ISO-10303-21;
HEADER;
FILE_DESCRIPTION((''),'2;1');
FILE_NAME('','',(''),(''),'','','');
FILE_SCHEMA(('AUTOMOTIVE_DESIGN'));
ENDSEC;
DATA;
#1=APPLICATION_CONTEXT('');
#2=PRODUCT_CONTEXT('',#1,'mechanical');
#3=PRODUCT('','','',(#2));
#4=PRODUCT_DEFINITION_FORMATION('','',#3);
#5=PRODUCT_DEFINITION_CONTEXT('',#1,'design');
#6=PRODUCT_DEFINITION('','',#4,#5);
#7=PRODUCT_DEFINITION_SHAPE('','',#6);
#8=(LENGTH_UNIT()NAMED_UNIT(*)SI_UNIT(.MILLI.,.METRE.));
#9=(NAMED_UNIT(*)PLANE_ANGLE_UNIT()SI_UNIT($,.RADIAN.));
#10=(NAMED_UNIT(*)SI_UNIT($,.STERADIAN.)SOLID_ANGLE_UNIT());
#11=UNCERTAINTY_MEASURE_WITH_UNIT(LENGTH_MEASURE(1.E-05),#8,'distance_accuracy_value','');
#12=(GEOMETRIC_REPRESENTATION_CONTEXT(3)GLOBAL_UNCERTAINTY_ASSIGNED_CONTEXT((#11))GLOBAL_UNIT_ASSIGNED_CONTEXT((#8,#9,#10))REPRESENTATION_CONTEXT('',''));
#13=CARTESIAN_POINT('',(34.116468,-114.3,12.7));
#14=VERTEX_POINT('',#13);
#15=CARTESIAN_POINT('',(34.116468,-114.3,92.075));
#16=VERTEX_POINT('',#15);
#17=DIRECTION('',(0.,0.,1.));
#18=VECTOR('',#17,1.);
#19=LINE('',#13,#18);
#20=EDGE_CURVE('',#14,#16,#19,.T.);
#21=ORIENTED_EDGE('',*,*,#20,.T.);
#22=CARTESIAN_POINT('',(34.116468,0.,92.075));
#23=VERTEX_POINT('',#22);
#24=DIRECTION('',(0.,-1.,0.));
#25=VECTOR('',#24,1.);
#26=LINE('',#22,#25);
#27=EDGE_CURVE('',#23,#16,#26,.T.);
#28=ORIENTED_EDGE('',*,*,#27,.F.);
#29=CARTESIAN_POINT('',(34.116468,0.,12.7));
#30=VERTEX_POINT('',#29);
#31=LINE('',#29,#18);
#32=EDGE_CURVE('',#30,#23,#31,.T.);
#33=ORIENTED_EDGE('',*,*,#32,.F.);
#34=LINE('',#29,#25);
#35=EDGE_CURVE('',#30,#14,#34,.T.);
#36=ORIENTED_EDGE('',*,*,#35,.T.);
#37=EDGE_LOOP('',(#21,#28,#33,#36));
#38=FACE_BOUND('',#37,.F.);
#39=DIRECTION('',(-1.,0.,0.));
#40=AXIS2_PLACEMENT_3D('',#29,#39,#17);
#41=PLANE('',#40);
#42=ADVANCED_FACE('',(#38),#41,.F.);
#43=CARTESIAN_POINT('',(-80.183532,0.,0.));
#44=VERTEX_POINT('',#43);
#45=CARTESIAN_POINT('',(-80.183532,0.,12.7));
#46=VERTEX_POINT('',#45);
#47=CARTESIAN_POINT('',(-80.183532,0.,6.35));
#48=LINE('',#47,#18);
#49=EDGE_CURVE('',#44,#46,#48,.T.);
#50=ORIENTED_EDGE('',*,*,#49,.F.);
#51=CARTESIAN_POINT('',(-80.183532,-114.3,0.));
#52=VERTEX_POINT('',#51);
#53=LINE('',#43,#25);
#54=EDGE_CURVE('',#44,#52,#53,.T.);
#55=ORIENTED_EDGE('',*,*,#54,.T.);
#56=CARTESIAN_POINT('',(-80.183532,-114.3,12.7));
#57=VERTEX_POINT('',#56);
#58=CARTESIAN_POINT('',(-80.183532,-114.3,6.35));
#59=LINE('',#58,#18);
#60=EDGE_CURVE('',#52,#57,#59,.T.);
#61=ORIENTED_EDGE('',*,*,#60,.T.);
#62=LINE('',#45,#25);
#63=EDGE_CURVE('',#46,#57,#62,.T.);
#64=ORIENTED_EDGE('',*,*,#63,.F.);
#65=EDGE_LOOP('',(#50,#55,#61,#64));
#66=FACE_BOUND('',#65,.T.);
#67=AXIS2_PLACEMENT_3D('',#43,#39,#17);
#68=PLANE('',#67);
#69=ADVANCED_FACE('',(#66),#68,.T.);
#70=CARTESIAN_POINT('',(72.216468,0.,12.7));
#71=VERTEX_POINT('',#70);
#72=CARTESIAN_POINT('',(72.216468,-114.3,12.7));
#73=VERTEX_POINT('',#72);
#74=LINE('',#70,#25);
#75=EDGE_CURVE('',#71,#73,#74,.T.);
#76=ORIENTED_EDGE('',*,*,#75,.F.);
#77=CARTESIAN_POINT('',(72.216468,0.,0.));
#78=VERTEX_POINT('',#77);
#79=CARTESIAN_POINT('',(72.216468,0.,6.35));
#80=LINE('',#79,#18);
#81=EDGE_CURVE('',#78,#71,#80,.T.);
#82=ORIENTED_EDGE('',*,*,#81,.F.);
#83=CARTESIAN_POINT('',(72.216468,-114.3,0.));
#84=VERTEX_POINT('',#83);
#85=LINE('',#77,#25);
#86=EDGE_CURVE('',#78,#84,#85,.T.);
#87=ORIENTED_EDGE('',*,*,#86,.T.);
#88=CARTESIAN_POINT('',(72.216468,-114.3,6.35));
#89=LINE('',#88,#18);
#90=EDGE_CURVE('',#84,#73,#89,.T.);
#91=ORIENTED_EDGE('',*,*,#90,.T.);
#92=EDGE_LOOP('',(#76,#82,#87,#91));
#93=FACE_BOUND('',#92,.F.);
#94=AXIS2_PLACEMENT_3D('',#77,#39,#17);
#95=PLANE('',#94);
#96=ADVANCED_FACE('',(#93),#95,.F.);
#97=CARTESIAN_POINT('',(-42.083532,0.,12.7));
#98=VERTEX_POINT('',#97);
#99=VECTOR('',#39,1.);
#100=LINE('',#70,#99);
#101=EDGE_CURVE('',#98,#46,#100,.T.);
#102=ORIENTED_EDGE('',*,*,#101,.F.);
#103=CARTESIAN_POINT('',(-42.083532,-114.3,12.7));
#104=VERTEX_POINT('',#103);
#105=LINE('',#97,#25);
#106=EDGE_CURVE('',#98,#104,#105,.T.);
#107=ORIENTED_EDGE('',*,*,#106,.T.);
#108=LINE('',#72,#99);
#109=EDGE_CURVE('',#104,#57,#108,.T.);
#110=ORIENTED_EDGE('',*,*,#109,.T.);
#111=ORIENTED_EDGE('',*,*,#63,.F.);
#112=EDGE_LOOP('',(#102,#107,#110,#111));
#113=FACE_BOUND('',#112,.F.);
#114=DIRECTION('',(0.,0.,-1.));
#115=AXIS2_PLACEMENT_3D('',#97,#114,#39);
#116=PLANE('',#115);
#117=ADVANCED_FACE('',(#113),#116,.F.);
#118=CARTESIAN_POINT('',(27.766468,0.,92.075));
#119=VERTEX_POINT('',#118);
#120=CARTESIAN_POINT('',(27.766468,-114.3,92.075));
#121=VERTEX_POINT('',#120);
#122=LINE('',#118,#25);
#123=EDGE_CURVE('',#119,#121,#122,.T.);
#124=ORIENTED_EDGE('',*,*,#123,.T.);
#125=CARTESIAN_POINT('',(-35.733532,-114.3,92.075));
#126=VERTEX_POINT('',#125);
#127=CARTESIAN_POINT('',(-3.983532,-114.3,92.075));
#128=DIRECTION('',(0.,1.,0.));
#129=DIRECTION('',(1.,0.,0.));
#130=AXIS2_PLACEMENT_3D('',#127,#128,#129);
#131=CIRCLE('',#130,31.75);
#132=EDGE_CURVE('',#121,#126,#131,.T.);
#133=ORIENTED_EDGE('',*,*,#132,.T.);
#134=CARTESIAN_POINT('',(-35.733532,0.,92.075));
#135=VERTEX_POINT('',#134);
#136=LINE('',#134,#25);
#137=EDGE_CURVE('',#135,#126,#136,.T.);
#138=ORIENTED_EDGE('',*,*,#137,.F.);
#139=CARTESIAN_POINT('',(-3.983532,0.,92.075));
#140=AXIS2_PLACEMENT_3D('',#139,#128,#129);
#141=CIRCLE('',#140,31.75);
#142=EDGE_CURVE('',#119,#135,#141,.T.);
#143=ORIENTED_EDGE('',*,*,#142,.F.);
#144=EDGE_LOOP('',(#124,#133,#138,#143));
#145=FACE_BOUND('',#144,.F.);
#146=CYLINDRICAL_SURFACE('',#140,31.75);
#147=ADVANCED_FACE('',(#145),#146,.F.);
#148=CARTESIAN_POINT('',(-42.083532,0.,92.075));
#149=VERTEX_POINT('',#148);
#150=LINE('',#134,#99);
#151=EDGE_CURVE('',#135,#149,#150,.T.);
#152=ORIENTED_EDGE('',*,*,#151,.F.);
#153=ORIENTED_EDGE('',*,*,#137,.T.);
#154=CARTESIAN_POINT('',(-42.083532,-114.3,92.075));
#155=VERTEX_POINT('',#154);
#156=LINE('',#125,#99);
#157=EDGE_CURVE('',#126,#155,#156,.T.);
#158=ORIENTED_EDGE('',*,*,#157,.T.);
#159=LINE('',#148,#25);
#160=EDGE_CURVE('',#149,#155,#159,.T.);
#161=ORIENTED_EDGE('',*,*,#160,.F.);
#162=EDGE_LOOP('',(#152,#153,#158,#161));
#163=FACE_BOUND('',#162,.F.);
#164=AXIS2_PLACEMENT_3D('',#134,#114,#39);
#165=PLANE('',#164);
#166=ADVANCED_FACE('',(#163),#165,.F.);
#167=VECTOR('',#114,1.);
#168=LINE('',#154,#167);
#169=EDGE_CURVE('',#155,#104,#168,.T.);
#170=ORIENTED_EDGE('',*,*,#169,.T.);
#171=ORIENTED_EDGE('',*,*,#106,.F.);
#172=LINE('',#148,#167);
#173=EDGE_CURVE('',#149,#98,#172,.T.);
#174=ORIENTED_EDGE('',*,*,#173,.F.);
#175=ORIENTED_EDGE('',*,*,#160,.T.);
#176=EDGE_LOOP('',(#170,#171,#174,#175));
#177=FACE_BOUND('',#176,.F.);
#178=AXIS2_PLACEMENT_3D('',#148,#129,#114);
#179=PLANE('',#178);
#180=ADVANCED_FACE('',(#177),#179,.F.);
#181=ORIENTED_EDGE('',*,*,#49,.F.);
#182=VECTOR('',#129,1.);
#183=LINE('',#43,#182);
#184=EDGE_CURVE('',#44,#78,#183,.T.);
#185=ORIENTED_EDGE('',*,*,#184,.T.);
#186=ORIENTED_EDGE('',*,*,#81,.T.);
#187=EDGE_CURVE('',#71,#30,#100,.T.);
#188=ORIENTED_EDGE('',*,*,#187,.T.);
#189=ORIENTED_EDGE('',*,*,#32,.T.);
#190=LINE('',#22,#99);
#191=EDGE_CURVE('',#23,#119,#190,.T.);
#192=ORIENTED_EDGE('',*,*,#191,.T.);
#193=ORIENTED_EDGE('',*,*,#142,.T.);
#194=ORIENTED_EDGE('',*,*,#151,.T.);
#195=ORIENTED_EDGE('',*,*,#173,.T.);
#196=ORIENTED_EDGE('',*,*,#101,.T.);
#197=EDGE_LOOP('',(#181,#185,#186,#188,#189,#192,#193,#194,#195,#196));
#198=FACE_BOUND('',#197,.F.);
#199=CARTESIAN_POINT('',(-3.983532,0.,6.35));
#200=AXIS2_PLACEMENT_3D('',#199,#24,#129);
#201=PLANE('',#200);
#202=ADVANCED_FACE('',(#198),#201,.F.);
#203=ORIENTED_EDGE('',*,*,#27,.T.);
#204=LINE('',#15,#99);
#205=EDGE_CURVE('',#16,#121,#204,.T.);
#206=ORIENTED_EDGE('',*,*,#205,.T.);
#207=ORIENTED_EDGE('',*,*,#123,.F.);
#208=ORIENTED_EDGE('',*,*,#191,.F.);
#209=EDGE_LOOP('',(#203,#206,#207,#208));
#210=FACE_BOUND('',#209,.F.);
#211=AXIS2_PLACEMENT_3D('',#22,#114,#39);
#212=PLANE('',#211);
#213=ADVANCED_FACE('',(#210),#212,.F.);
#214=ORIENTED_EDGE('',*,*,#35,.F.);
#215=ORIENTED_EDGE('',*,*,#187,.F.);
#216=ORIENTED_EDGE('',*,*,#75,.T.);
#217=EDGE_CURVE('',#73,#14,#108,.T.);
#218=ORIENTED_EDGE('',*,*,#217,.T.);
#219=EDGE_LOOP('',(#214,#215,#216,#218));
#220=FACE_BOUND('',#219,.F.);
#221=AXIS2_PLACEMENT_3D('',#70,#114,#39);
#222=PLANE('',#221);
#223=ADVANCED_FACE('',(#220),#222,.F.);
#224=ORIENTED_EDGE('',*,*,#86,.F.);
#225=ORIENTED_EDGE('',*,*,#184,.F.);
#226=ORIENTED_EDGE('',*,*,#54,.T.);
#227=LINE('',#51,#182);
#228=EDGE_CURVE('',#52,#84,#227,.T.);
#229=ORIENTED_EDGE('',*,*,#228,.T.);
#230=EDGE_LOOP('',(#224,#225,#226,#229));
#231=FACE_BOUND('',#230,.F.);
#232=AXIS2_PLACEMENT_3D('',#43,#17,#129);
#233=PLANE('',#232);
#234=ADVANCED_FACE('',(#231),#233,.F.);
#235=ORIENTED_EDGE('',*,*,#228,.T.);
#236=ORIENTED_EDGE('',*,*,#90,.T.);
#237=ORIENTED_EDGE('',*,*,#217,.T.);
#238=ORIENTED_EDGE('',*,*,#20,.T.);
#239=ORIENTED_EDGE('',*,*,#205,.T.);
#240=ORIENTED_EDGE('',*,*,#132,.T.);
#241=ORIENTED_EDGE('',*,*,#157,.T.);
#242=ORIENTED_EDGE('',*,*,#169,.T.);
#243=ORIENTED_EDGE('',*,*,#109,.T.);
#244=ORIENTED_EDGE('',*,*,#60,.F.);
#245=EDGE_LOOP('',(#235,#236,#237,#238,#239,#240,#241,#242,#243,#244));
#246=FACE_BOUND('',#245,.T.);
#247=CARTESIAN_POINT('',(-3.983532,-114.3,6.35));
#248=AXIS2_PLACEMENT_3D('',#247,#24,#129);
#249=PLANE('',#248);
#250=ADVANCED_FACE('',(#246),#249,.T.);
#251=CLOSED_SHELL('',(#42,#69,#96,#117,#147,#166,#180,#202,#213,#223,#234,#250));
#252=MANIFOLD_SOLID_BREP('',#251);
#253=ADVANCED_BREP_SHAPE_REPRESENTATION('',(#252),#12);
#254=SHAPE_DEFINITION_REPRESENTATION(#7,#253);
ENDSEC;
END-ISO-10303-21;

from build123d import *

# Parameters (mm, degrees)
F0_W     = 76.2
F0_H     = 12.7
F0_W_2   = 38.1
F1_DEPTH = 114.3


with BuildPart() as f1:
    # F0 (on Front) → F1 (new body)
    with BuildSketch(Plane.XZ):
        with Locations((-3.983532, 6.35)):
            Rectangle(F0_W, F0_H)
        with Locations((-61.133532, 6.35)):
            Rectangle(F0_W_2, F0_H)
        with Locations((53.166468, 6.35)):
            Rectangle(F0_W_2, F0_H)
        with BuildLine():
            Line((-42.083532, 92.075), (-42.083532, 12.7))
            Line((-42.083532, 12.7), (34.116468, 12.7))
            Line((34.116468, 12.7), (34.116468, 92.075))
            Line((34.116468, 92.075), (27.766468, 92.075))
            ThreePointArc((27.766468, 92.075), (-3.983532, 60.325), (-35.733532, 92.075))
            Line((-35.733532, 92.075), (-42.083532, 92.075))
        make_face()
    extrude(amount=F1_DEPTH)


solid = f1.part
